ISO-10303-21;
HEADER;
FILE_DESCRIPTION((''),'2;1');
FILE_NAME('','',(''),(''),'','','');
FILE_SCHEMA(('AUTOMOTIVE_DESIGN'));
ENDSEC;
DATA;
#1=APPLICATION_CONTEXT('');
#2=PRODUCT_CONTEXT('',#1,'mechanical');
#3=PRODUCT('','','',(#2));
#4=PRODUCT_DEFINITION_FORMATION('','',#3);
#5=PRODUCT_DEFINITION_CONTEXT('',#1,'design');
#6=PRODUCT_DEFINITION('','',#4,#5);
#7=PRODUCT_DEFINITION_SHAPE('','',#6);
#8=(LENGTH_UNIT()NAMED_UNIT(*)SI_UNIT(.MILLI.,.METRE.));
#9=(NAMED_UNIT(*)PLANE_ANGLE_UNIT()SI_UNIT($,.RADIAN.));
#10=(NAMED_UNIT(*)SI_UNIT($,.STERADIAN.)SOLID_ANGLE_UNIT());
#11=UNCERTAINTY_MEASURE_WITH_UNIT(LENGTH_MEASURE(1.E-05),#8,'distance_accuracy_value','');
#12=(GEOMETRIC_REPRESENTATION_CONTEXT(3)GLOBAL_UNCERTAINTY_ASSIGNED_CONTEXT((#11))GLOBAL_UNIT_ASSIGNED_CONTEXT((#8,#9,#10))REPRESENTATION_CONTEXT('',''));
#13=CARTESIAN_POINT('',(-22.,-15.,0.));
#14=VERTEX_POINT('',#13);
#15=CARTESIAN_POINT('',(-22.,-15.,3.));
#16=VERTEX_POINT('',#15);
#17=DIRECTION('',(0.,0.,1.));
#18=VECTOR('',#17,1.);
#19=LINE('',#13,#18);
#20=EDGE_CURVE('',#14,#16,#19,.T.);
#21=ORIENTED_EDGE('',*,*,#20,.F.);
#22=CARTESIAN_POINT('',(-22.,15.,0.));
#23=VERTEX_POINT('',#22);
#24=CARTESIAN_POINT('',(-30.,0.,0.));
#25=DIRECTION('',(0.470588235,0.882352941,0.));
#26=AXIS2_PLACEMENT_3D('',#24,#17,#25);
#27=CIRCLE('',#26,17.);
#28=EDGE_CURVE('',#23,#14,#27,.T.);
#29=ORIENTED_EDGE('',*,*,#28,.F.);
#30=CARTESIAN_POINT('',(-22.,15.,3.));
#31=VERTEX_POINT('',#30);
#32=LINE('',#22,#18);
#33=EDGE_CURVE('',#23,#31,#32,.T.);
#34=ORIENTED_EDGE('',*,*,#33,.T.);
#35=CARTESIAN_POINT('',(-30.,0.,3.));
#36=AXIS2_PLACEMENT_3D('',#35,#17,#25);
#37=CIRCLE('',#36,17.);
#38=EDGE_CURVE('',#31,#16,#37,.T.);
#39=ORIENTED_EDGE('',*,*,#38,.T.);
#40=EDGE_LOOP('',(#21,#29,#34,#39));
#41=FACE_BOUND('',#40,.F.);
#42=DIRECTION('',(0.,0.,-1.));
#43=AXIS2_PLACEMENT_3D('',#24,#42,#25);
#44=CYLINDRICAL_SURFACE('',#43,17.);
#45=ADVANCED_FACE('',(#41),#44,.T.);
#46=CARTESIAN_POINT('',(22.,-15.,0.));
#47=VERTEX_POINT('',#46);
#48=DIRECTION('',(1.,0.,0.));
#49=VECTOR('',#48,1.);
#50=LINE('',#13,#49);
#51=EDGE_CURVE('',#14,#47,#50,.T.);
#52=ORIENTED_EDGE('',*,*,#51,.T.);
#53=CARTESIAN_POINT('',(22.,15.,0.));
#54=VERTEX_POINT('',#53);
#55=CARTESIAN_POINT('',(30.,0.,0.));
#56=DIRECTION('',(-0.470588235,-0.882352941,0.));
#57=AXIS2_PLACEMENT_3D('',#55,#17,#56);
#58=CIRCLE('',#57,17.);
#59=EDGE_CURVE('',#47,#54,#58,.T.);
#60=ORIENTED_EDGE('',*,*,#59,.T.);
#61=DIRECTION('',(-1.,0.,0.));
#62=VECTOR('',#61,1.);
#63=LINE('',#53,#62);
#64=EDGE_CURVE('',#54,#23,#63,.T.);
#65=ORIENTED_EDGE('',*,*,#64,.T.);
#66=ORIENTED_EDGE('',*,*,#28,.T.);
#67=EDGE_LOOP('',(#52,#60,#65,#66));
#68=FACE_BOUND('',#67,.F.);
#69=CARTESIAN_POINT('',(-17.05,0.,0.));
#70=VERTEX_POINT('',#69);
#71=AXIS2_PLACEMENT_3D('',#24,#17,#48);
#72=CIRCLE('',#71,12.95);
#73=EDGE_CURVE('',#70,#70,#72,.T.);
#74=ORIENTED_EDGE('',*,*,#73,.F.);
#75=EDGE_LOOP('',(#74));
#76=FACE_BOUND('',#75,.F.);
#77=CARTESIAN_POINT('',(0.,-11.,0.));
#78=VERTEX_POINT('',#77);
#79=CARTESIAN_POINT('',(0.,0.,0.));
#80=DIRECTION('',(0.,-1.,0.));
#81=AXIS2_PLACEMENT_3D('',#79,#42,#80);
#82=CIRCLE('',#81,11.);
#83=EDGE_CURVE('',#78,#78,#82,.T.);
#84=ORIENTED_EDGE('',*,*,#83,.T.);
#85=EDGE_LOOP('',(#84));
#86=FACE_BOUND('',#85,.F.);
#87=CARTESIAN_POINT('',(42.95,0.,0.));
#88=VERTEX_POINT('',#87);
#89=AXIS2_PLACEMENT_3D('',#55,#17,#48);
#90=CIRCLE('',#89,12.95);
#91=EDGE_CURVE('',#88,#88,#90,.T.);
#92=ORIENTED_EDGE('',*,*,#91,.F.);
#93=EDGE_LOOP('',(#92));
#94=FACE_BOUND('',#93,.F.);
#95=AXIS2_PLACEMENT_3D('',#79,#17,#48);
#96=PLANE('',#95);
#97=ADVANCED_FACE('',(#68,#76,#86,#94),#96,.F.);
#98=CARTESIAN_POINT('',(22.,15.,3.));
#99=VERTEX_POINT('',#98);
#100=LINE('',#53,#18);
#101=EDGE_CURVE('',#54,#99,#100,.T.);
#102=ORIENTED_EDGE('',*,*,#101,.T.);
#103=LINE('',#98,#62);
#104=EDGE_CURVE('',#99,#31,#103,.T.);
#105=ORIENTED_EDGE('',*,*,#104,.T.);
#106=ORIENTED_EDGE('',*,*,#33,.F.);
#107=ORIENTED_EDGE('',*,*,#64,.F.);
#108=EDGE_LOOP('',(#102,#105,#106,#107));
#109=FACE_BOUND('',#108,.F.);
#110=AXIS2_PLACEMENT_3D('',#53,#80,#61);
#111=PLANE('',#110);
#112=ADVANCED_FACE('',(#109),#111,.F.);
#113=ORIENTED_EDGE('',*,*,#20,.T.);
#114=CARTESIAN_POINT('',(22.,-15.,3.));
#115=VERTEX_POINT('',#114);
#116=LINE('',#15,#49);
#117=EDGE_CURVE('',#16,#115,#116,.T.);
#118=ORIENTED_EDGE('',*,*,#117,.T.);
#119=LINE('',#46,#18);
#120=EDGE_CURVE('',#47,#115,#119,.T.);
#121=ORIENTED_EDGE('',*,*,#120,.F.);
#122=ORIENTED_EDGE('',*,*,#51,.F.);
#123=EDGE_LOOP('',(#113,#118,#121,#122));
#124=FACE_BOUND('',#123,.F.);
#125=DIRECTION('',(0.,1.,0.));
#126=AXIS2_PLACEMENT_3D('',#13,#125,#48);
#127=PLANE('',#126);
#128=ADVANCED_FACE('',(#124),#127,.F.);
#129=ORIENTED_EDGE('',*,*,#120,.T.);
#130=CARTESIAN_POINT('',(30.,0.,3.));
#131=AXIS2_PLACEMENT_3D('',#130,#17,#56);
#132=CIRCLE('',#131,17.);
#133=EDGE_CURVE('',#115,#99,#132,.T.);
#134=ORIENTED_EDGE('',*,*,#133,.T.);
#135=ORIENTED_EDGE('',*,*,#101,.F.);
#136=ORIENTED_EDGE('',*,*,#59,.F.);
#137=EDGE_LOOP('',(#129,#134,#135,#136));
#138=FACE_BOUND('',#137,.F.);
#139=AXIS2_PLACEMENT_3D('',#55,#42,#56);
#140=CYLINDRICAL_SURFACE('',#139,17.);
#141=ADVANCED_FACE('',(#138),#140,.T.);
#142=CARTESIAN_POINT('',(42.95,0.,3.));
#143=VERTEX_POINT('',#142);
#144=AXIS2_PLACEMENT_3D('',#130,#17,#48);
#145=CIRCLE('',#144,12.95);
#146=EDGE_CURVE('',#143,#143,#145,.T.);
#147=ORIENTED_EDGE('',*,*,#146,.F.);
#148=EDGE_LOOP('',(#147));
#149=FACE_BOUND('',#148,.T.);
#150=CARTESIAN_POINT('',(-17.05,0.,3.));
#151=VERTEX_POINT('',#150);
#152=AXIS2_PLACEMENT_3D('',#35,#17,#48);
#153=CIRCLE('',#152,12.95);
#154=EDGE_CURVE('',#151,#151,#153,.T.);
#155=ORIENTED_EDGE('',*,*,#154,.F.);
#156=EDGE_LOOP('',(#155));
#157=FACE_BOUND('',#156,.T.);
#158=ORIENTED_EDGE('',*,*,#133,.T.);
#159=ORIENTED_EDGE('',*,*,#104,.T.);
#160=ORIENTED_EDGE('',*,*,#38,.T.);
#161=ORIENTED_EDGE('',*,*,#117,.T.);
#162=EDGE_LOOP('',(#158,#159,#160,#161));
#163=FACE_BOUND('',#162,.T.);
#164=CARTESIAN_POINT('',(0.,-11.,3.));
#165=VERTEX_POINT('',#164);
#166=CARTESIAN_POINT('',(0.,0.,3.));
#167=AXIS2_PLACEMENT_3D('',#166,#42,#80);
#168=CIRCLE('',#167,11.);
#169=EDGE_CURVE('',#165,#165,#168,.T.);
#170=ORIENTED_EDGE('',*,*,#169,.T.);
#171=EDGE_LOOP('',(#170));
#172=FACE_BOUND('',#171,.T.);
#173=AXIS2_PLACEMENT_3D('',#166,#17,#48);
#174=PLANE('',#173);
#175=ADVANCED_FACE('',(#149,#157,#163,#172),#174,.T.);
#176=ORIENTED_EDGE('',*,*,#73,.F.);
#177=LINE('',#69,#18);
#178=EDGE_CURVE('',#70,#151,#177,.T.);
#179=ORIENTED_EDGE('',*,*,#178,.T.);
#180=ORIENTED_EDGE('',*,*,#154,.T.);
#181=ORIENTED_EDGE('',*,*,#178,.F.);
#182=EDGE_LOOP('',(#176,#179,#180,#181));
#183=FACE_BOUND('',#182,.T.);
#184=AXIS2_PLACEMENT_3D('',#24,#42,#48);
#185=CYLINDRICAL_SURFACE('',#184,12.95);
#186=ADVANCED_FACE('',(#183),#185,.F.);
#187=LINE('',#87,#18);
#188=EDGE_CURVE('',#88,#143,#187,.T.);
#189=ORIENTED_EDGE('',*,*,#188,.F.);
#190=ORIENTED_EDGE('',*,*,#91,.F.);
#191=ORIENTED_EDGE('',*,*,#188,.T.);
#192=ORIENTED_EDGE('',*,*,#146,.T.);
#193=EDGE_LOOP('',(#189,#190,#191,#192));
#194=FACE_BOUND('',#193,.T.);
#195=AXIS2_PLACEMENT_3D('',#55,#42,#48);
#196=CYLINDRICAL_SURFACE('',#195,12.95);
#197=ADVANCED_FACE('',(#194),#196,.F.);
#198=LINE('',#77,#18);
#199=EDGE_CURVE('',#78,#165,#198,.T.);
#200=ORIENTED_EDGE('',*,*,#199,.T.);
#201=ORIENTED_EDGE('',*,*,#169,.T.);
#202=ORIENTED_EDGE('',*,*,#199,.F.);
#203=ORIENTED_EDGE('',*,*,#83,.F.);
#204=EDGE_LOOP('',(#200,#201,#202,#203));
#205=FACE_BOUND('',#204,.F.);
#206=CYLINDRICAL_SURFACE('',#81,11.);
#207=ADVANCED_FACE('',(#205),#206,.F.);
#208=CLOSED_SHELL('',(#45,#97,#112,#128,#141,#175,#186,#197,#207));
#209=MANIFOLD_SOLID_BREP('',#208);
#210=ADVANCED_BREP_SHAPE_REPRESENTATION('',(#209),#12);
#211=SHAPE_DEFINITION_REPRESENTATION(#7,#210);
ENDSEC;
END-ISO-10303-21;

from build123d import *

# Parameters (mm, degrees)
F0_R     = 12.95
F1_DEPTH = 3


with BuildPart() as f1:
    # F0 (on Top) → F1 (new body)
    with BuildSketch(Plane.XY):
        with BuildLine():
            Line((-22, -15), (22, -15))
            ThreePointArc((22, -15), (47, 0), (22, 15))
            Line((22, 15), (-22, 15))
            ThreePointArc((-22, 15), (-47, 0), (-22, -15))
        make_face()
        with Locations((-30, 0)):
            Circle(F0_R, mode=Mode.SUBTRACT)
        with BuildLine():
            ThreePointArc((0, 11), (11, 0), (0, -11))
            ThreePointArc((0, -11), (-11, 0), (0, 11))
        make_face(mode=Mode.SUBTRACT)
        with Locations((30, 0)):
            Circle(F0_R, mode=Mode.SUBTRACT)
    extrude(amount=F1_DEPTH)


solid = f1.part
